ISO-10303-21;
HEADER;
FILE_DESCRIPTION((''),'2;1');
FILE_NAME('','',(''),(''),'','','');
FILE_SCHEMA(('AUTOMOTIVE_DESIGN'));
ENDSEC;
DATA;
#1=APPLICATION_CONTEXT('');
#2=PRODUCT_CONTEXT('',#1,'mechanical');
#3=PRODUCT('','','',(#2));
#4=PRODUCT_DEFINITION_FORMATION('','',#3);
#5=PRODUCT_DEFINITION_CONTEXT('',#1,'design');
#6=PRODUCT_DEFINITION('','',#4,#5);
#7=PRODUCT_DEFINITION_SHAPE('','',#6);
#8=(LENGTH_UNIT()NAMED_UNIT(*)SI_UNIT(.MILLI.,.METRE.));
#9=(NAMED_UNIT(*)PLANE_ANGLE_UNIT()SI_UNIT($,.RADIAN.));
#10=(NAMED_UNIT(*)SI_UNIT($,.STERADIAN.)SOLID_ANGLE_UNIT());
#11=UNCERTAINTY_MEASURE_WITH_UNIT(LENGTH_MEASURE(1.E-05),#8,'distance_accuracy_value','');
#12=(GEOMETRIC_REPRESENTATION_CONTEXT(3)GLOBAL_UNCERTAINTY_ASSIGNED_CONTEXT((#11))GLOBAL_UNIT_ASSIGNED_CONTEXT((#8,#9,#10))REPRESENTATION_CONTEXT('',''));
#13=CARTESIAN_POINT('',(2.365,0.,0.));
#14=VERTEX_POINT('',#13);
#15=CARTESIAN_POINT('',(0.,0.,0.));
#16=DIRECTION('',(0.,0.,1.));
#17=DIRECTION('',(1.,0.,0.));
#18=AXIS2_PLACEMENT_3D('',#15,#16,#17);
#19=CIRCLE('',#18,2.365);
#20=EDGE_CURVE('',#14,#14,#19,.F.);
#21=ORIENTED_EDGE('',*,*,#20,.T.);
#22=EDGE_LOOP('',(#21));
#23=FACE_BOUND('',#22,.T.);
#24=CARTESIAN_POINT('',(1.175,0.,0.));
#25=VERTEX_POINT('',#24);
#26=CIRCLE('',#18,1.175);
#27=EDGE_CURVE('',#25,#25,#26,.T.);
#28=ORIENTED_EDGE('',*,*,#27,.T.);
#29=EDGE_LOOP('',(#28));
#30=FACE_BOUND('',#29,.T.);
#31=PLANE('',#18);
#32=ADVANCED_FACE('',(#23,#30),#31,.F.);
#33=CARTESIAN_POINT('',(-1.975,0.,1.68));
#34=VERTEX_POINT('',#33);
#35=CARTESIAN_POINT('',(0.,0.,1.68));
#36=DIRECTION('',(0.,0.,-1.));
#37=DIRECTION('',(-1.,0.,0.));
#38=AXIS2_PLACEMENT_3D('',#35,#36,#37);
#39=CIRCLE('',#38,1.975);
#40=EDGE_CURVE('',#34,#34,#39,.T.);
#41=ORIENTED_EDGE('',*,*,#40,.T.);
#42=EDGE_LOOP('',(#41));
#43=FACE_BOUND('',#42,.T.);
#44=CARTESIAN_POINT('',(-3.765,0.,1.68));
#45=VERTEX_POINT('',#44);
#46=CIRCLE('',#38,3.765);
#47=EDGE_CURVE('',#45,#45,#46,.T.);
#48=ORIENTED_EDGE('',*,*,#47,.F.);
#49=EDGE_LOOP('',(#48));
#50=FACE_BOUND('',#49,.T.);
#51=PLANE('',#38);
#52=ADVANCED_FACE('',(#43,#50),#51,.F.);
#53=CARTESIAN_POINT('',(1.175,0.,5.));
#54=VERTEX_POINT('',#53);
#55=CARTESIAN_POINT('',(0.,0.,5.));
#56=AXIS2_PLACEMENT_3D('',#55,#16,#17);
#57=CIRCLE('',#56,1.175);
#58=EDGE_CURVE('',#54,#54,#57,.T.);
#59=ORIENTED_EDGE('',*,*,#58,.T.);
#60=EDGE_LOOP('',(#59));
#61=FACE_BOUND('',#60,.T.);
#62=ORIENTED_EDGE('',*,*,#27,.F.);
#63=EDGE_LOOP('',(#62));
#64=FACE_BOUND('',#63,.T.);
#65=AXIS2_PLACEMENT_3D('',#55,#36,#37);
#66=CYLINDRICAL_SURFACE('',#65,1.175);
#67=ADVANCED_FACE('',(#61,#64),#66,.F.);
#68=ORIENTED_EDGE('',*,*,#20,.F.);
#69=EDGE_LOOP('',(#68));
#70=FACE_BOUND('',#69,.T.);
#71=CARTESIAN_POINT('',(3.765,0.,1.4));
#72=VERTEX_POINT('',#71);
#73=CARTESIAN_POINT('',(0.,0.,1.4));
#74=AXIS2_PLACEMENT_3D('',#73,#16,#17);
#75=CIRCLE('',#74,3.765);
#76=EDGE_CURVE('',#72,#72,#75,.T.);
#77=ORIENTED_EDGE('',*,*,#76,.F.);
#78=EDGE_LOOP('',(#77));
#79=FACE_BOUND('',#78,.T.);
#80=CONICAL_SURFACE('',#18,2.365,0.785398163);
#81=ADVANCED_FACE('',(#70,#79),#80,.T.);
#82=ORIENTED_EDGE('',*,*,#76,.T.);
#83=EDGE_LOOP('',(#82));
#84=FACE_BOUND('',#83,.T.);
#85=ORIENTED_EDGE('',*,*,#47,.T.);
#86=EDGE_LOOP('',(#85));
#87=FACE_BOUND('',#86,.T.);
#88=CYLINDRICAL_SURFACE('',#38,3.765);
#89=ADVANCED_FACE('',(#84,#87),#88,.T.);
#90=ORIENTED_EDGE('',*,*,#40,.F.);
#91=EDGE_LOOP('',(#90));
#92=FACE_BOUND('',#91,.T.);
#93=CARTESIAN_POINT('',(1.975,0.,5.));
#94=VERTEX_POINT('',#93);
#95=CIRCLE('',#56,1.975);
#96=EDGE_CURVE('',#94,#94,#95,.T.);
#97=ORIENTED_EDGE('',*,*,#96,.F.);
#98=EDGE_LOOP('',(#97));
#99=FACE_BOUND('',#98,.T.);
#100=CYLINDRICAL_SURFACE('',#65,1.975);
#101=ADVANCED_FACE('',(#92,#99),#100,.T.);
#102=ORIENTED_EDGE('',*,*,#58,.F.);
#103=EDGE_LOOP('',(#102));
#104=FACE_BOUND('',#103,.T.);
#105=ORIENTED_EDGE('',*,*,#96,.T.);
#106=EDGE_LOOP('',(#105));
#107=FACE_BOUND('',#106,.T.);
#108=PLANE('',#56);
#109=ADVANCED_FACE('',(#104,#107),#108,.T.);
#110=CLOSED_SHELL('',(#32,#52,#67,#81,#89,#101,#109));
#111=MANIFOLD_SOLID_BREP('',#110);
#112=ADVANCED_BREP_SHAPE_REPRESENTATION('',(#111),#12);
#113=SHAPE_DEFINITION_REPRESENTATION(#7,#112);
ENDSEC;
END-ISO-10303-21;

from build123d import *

# Parameters (mm, degrees)
ESBO_O1_R                = 1.975
ESBO_O1_R_2              = 1.175
RESSALTO_EXTRUS_O1_DEPTH = 5
ESBO_O2_R                = 3.765
ESBO_O2_R_2              = 1.175
RESSALTO_EXTRUS_O2_DEPTH = 1.68
CHANFRO1_SIZE            = 1.4


with BuildPart() as part:
    # Esboço1 → Ressalto-extrusão1 (new body)
    with BuildSketch(Plane.XY):
        Circle(ESBO_O1_R)
        Circle(ESBO_O1_R_2, mode=Mode.SUBTRACT)
    extrude(amount=RESSALTO_EXTRUS_O1_DEPTH)

    # Esboço2 → Ressalto-extrusão2 (add)
    with BuildSketch(Plane(origin=(0, 0, 0), x_dir=(-1, 0, 0), z_dir=(0, 0, -1))):
        Circle(ESBO_O2_R)
        with Locations(Location((0, 0, 0), (0, 0, 180))):
            Circle(ESBO_O2_R_2, mode=Mode.SUBTRACT)
    extrude(amount=-RESSALTO_EXTRUS_O2_DEPTH)

    # Chanfro1
    chanfro1_edges = [part.edges().sort_by_distance(p)[0] for p in [
        (3.765, 0, 0),
    ]]
    chamfer(chanfro1_edges, length=CHANFRO1_SIZE)


solid = part.part
